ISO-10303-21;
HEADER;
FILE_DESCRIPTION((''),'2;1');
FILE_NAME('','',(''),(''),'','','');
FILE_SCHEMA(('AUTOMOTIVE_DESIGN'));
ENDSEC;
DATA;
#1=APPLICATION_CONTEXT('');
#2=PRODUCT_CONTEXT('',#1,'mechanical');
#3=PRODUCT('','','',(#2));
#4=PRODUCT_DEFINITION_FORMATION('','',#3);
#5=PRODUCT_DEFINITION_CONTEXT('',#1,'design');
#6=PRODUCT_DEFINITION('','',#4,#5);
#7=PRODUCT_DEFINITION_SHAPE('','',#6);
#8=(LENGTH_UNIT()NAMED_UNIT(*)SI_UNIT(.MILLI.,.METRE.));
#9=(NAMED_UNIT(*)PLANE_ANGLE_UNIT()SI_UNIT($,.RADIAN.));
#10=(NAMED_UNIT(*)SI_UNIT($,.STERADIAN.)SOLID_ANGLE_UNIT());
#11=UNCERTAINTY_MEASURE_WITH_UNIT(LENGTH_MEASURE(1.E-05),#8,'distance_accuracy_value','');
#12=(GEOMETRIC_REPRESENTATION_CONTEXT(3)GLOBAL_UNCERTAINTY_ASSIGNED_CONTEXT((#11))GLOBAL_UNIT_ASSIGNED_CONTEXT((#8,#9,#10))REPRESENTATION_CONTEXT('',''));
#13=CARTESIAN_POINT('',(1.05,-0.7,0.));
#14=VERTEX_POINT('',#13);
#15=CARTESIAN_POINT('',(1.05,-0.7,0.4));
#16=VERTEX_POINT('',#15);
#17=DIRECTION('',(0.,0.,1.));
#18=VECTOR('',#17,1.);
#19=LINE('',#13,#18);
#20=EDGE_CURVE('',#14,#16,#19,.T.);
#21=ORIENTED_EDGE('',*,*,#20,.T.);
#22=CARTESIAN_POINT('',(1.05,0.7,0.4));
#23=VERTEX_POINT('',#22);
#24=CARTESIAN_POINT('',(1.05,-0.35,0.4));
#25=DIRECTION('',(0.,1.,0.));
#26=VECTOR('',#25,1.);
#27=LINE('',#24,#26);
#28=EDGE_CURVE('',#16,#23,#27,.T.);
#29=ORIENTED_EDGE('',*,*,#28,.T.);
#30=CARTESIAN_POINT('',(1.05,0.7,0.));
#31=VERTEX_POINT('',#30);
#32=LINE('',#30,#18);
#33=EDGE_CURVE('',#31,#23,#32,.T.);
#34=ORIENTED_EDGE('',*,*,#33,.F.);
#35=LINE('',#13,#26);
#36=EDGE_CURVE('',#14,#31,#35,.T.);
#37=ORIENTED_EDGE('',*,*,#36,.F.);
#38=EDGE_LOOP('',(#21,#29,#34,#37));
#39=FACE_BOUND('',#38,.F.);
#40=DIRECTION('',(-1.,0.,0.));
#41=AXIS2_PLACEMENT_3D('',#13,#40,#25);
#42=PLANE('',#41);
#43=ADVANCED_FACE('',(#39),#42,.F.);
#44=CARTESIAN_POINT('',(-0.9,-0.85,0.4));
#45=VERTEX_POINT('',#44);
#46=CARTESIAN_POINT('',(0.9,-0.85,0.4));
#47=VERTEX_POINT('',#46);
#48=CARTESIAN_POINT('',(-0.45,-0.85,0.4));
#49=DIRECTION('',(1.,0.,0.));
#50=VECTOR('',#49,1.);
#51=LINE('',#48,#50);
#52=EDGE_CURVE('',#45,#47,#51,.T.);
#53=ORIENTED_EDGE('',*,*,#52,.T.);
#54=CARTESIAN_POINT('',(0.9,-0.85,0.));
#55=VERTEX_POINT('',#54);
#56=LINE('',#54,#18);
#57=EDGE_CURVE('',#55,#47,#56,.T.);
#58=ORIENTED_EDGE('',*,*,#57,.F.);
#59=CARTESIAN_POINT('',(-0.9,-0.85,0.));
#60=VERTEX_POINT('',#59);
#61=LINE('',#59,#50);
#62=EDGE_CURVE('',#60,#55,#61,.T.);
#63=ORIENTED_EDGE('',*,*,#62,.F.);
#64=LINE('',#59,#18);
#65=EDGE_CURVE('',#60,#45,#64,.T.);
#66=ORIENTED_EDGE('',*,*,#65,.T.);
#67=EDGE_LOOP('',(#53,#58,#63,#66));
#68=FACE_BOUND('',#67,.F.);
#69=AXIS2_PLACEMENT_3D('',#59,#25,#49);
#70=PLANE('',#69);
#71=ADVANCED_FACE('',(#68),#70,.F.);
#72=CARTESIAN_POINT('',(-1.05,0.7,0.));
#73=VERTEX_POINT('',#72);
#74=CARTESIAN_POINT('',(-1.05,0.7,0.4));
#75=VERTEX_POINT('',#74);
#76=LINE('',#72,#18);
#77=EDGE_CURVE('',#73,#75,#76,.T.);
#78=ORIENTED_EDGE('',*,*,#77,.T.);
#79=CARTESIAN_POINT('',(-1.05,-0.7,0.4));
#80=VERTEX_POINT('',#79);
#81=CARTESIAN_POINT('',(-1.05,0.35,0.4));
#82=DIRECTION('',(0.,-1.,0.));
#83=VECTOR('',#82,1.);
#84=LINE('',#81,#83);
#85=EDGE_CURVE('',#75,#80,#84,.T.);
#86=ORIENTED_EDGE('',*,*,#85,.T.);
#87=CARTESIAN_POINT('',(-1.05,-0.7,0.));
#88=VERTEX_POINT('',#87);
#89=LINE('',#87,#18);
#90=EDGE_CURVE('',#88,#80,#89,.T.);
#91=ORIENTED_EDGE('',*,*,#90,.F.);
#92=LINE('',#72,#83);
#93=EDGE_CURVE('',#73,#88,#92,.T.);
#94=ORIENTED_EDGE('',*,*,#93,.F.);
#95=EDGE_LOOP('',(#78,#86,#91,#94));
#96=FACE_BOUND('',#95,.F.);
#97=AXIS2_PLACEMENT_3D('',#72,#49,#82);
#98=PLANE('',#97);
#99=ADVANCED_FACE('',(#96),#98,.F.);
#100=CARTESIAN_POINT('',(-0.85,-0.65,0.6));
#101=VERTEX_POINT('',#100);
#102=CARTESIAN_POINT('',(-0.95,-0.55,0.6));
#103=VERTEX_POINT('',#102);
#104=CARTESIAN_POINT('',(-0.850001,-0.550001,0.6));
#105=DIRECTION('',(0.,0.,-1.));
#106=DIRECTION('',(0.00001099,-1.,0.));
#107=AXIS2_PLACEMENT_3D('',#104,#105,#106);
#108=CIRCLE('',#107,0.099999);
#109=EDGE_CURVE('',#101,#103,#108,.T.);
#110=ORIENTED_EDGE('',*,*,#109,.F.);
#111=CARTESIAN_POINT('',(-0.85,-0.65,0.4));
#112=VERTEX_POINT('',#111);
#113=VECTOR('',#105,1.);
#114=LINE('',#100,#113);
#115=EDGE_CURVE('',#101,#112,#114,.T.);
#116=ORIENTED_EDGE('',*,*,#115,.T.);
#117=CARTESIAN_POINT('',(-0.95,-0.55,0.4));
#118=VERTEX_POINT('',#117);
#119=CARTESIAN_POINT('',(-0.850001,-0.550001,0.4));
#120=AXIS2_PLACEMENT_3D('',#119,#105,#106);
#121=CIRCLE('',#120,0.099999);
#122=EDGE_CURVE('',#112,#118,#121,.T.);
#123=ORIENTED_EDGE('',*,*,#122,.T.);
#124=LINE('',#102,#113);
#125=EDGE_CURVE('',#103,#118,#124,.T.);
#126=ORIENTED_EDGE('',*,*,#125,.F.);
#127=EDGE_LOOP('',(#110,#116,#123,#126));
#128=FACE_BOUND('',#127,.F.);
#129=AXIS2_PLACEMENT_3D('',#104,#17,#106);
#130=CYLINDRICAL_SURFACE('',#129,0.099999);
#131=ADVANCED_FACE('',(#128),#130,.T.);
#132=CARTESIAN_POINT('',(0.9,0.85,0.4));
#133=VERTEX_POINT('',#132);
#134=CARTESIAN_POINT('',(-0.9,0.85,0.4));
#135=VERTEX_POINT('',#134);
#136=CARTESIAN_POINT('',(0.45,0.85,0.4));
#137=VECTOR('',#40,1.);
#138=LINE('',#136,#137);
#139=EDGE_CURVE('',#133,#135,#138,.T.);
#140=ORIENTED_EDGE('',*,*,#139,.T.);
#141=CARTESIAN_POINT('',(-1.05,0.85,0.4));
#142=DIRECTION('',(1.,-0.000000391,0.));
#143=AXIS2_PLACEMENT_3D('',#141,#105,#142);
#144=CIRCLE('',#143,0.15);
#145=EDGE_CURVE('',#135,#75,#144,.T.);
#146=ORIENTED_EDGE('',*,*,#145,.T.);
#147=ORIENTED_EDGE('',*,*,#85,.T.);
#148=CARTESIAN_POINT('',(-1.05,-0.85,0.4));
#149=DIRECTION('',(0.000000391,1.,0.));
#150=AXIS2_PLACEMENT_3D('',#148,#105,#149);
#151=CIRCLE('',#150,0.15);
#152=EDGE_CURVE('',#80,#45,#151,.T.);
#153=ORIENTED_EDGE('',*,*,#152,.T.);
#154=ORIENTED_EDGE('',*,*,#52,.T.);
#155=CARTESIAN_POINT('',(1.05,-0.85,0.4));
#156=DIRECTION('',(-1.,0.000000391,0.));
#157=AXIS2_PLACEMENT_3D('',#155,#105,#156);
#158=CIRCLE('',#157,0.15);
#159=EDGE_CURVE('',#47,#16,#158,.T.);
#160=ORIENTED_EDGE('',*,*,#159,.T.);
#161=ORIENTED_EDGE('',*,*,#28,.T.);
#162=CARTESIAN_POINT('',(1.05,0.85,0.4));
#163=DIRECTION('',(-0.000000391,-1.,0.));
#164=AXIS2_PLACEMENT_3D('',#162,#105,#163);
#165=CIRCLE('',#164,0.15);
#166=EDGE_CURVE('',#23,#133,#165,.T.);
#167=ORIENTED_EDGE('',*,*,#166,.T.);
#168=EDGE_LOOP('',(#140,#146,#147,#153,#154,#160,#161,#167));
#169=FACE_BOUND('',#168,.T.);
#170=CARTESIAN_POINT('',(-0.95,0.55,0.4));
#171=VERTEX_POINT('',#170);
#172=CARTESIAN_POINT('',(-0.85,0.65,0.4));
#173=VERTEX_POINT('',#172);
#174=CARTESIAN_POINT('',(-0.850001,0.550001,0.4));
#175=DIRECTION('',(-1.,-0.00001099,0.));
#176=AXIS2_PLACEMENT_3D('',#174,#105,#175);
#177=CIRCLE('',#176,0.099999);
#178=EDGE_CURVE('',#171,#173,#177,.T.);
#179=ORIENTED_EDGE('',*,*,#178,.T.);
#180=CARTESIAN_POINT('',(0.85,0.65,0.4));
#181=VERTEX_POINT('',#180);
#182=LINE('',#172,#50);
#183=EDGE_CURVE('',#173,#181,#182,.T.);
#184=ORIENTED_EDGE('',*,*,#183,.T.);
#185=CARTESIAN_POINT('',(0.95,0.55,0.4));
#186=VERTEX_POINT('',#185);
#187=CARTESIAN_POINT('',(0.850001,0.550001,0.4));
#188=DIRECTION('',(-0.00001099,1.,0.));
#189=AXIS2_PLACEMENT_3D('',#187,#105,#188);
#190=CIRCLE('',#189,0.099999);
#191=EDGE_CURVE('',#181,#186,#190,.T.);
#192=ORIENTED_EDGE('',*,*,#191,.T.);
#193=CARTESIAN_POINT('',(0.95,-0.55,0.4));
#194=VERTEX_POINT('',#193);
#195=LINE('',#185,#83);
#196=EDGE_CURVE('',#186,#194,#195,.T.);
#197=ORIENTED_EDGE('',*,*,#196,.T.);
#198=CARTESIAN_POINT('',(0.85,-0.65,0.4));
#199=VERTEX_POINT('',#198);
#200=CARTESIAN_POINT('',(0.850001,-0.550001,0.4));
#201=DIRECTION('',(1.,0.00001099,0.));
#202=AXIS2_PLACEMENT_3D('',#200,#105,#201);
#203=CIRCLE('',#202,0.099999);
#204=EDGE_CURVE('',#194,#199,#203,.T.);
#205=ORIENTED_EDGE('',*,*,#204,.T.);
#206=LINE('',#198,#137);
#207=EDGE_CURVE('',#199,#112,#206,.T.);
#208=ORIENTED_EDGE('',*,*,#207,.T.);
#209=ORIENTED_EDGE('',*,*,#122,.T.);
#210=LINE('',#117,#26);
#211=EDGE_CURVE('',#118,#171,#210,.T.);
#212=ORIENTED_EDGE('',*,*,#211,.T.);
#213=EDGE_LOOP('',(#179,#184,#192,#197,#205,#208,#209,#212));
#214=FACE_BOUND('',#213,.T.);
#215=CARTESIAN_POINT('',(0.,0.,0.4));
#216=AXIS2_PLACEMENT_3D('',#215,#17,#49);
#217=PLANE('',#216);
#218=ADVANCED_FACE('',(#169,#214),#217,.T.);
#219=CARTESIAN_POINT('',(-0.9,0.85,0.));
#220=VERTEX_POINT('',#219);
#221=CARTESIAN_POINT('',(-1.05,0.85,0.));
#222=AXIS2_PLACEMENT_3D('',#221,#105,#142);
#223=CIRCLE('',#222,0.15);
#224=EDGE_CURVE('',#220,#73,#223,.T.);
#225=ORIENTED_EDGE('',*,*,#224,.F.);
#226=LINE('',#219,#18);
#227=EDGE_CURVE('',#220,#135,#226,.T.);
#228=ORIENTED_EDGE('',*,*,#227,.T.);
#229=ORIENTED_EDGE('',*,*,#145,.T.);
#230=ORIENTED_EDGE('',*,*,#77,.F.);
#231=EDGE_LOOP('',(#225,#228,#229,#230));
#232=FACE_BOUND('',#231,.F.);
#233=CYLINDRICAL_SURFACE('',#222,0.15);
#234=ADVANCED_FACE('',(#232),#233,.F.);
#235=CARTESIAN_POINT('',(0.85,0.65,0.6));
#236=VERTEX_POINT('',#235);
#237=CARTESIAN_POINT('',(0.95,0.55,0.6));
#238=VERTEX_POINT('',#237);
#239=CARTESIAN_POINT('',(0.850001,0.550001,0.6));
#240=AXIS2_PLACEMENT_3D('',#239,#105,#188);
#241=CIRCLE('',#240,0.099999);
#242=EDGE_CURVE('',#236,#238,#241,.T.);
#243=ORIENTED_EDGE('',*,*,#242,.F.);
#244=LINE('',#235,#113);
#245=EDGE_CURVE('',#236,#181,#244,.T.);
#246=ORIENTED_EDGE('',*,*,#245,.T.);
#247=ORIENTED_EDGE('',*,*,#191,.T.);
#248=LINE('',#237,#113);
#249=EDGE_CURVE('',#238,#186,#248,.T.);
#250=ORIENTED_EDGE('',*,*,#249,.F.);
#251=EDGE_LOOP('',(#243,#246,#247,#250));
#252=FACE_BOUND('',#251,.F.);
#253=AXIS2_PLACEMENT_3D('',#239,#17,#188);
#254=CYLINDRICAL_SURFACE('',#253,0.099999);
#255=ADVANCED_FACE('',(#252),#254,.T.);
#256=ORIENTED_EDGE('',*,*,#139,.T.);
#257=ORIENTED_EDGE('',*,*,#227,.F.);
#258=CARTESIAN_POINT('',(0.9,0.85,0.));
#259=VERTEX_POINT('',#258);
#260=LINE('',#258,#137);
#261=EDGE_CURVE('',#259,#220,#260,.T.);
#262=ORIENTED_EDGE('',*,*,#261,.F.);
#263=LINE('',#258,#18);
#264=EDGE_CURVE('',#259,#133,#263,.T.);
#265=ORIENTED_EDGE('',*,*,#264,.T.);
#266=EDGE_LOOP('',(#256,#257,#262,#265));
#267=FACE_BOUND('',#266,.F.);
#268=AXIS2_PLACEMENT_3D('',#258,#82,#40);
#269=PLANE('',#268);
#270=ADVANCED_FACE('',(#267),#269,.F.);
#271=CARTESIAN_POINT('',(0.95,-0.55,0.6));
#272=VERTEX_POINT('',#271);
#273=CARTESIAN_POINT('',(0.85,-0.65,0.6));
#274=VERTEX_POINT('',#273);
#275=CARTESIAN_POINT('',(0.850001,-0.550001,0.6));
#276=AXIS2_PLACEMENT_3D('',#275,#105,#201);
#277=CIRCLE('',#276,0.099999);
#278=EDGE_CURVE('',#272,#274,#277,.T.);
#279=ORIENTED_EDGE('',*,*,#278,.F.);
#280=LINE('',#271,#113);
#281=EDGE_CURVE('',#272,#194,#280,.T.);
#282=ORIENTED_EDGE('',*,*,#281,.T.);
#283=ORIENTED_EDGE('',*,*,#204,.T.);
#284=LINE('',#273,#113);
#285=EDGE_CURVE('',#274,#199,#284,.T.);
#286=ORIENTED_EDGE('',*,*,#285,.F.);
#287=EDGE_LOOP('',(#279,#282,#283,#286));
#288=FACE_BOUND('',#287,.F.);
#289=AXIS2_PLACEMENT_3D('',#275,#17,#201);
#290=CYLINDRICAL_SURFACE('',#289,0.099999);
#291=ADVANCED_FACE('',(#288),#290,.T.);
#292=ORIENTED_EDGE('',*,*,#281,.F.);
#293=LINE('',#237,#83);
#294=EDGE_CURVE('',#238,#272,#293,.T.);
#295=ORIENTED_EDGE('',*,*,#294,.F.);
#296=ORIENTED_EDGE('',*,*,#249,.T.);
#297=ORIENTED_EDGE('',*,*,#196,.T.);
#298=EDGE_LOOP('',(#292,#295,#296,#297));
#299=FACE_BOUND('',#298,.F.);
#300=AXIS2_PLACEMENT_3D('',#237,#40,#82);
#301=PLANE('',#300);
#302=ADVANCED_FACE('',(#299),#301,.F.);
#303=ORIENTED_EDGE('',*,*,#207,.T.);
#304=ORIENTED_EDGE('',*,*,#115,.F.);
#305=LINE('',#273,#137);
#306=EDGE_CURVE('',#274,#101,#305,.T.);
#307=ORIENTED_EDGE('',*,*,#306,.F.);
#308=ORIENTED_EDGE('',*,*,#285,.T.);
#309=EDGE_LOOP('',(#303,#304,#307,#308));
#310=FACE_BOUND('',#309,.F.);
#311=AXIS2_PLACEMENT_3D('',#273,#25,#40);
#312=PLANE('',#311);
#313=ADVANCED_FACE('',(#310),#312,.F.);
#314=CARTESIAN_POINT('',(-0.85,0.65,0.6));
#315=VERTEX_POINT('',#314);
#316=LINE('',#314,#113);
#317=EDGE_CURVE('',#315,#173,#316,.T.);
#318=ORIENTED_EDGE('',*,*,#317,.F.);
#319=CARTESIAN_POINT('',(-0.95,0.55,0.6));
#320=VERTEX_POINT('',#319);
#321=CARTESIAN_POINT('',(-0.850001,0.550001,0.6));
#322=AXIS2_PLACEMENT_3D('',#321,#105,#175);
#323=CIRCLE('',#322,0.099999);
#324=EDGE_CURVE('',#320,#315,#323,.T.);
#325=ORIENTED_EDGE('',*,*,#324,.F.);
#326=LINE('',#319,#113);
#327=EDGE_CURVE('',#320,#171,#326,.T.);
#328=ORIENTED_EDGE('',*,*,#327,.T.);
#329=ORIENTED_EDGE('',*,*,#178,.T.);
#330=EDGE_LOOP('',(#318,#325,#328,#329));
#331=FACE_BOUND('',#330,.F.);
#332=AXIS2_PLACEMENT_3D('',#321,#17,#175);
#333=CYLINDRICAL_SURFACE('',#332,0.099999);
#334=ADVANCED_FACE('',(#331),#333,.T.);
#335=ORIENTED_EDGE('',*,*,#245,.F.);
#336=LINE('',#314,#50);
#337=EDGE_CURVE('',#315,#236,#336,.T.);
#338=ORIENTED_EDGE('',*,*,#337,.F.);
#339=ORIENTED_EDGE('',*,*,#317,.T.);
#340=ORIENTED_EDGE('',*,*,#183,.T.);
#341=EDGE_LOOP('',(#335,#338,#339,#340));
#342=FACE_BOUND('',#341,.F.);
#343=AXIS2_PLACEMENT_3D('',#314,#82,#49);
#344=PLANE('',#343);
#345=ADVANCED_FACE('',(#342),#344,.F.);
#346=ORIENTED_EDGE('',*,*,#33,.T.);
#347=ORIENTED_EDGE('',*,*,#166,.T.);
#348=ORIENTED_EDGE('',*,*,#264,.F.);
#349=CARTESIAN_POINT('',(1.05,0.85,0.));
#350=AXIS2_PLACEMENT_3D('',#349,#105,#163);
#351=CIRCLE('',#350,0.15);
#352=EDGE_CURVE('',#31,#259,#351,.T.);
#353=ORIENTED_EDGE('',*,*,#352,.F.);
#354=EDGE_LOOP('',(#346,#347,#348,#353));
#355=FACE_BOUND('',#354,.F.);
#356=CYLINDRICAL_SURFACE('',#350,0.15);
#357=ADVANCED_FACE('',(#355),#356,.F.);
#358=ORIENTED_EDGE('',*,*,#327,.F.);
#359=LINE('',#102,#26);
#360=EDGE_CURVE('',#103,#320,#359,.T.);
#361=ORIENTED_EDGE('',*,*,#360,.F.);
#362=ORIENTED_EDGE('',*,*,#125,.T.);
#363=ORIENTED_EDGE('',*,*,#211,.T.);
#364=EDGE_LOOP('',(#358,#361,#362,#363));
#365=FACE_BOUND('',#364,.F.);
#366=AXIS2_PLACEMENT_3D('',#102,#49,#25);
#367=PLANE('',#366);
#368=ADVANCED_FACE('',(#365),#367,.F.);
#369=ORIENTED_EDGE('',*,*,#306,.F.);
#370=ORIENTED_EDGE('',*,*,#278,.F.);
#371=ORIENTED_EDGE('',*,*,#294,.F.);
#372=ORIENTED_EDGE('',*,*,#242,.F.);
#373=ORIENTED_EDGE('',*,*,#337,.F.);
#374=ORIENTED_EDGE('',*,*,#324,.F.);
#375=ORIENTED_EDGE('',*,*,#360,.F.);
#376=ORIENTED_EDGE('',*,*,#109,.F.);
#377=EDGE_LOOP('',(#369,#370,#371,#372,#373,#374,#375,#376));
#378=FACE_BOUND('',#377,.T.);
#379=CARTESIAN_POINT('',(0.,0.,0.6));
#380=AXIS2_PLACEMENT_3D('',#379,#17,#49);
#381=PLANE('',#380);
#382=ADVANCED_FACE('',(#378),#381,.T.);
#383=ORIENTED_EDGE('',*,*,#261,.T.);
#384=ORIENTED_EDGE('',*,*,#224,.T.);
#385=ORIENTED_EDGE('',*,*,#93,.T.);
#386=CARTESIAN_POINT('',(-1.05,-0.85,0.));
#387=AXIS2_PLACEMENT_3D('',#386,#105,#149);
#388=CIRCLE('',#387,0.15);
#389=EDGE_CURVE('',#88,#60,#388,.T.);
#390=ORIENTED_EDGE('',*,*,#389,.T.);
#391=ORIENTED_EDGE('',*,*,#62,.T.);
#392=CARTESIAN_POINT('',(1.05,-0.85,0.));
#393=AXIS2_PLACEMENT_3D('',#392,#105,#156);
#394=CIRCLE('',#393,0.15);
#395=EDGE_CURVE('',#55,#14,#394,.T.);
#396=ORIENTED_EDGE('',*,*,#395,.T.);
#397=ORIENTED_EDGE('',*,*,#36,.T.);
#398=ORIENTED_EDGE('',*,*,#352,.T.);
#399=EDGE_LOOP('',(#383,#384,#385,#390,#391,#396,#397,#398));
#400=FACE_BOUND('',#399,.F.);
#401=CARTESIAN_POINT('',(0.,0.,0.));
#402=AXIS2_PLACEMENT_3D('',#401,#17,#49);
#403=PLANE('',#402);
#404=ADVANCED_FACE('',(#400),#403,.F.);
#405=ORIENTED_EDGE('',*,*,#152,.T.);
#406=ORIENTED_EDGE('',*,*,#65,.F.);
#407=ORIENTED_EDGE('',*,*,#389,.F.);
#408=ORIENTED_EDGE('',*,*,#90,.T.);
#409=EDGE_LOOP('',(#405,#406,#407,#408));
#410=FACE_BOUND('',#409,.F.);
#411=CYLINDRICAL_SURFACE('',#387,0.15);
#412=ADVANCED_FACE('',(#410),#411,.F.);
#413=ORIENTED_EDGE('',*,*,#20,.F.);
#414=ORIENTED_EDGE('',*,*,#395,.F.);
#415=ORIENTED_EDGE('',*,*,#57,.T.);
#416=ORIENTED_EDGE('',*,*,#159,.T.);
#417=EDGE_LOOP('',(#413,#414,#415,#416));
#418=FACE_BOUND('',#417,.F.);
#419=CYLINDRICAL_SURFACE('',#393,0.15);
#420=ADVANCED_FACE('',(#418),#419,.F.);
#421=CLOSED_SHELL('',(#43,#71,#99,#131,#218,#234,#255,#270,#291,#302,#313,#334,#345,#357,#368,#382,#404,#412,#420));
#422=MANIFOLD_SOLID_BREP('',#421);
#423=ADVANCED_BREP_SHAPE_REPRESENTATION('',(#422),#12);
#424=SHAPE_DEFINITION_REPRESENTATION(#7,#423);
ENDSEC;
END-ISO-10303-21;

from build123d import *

# Parameters (mm, degrees)
F1_DEPTH = 0.6
F2_W     = 3.739622
F2_H     = 2.95654
F3_DEPTH = 0.2


with BuildPart() as f1:
    # F0 (on Top) → F1 (new body)
    with BuildSketch(Plane.XY):
        with BuildLine():
            Line((-0.9, -0.85), (0.9, -0.85))
            ThreePointArc((0.9, -0.85), (0.943934, -0.743934), (1.05, -0.7))
            Line((1.05, -0.7), (1.05, 0.7))
            ThreePointArc((1.05, 0.7), (0.943934, 0.743934), (0.9, 0.85))
            Line((0.9, 0.85), (-0.9, 0.85))
            ThreePointArc((-0.9, 0.85), (-0.943934, 0.743934), (-1.05, 0.7))
            Line((-1.05, 0.7), (-1.05, -0.7))
            ThreePointArc((-1.05, -0.7), (-0.943934, -0.743934), (-0.9, -0.85))
        make_face()
    extrude(amount=F1_DEPTH)


with BuildPart() as f3:
    # F2 (on face) → F3 (new body)
    with BuildSketch(Plane.XY.offset(0.6)):
        Rectangle(F2_W, F2_H)
        with BuildLine():
            ThreePointArc((0.95, -0.55), (0.920711, -0.620711), (0.85, -0.65))
            Line((0.85, -0.65), (-0.85, -0.65))
            ThreePointArc((-0.85, -0.65), (-0.920711, -0.620711), (-0.95, -0.55))
            Line((-0.95, -0.55), (-0.95, 0.55))
            ThreePointArc((-0.95, 0.55), (-0.920711, 0.620711), (-0.85, 0.65))
            Line((-0.85, 0.65), (0.85, 0.65))
            ThreePointArc((0.85, 0.65), (0.920711, 0.620711), (0.95, 0.55))
            Line((0.95, 0.55), (0.95, -0.55))
        make_face(mode=Mode.SUBTRACT)
    extrude(amount=-F3_DEPTH)


with BuildPart() as f1_1:
    add(f1.part)

    # F4: cut F3
    add(f3.part, mode=Mode.SUBTRACT)


solid = f1_1.part
